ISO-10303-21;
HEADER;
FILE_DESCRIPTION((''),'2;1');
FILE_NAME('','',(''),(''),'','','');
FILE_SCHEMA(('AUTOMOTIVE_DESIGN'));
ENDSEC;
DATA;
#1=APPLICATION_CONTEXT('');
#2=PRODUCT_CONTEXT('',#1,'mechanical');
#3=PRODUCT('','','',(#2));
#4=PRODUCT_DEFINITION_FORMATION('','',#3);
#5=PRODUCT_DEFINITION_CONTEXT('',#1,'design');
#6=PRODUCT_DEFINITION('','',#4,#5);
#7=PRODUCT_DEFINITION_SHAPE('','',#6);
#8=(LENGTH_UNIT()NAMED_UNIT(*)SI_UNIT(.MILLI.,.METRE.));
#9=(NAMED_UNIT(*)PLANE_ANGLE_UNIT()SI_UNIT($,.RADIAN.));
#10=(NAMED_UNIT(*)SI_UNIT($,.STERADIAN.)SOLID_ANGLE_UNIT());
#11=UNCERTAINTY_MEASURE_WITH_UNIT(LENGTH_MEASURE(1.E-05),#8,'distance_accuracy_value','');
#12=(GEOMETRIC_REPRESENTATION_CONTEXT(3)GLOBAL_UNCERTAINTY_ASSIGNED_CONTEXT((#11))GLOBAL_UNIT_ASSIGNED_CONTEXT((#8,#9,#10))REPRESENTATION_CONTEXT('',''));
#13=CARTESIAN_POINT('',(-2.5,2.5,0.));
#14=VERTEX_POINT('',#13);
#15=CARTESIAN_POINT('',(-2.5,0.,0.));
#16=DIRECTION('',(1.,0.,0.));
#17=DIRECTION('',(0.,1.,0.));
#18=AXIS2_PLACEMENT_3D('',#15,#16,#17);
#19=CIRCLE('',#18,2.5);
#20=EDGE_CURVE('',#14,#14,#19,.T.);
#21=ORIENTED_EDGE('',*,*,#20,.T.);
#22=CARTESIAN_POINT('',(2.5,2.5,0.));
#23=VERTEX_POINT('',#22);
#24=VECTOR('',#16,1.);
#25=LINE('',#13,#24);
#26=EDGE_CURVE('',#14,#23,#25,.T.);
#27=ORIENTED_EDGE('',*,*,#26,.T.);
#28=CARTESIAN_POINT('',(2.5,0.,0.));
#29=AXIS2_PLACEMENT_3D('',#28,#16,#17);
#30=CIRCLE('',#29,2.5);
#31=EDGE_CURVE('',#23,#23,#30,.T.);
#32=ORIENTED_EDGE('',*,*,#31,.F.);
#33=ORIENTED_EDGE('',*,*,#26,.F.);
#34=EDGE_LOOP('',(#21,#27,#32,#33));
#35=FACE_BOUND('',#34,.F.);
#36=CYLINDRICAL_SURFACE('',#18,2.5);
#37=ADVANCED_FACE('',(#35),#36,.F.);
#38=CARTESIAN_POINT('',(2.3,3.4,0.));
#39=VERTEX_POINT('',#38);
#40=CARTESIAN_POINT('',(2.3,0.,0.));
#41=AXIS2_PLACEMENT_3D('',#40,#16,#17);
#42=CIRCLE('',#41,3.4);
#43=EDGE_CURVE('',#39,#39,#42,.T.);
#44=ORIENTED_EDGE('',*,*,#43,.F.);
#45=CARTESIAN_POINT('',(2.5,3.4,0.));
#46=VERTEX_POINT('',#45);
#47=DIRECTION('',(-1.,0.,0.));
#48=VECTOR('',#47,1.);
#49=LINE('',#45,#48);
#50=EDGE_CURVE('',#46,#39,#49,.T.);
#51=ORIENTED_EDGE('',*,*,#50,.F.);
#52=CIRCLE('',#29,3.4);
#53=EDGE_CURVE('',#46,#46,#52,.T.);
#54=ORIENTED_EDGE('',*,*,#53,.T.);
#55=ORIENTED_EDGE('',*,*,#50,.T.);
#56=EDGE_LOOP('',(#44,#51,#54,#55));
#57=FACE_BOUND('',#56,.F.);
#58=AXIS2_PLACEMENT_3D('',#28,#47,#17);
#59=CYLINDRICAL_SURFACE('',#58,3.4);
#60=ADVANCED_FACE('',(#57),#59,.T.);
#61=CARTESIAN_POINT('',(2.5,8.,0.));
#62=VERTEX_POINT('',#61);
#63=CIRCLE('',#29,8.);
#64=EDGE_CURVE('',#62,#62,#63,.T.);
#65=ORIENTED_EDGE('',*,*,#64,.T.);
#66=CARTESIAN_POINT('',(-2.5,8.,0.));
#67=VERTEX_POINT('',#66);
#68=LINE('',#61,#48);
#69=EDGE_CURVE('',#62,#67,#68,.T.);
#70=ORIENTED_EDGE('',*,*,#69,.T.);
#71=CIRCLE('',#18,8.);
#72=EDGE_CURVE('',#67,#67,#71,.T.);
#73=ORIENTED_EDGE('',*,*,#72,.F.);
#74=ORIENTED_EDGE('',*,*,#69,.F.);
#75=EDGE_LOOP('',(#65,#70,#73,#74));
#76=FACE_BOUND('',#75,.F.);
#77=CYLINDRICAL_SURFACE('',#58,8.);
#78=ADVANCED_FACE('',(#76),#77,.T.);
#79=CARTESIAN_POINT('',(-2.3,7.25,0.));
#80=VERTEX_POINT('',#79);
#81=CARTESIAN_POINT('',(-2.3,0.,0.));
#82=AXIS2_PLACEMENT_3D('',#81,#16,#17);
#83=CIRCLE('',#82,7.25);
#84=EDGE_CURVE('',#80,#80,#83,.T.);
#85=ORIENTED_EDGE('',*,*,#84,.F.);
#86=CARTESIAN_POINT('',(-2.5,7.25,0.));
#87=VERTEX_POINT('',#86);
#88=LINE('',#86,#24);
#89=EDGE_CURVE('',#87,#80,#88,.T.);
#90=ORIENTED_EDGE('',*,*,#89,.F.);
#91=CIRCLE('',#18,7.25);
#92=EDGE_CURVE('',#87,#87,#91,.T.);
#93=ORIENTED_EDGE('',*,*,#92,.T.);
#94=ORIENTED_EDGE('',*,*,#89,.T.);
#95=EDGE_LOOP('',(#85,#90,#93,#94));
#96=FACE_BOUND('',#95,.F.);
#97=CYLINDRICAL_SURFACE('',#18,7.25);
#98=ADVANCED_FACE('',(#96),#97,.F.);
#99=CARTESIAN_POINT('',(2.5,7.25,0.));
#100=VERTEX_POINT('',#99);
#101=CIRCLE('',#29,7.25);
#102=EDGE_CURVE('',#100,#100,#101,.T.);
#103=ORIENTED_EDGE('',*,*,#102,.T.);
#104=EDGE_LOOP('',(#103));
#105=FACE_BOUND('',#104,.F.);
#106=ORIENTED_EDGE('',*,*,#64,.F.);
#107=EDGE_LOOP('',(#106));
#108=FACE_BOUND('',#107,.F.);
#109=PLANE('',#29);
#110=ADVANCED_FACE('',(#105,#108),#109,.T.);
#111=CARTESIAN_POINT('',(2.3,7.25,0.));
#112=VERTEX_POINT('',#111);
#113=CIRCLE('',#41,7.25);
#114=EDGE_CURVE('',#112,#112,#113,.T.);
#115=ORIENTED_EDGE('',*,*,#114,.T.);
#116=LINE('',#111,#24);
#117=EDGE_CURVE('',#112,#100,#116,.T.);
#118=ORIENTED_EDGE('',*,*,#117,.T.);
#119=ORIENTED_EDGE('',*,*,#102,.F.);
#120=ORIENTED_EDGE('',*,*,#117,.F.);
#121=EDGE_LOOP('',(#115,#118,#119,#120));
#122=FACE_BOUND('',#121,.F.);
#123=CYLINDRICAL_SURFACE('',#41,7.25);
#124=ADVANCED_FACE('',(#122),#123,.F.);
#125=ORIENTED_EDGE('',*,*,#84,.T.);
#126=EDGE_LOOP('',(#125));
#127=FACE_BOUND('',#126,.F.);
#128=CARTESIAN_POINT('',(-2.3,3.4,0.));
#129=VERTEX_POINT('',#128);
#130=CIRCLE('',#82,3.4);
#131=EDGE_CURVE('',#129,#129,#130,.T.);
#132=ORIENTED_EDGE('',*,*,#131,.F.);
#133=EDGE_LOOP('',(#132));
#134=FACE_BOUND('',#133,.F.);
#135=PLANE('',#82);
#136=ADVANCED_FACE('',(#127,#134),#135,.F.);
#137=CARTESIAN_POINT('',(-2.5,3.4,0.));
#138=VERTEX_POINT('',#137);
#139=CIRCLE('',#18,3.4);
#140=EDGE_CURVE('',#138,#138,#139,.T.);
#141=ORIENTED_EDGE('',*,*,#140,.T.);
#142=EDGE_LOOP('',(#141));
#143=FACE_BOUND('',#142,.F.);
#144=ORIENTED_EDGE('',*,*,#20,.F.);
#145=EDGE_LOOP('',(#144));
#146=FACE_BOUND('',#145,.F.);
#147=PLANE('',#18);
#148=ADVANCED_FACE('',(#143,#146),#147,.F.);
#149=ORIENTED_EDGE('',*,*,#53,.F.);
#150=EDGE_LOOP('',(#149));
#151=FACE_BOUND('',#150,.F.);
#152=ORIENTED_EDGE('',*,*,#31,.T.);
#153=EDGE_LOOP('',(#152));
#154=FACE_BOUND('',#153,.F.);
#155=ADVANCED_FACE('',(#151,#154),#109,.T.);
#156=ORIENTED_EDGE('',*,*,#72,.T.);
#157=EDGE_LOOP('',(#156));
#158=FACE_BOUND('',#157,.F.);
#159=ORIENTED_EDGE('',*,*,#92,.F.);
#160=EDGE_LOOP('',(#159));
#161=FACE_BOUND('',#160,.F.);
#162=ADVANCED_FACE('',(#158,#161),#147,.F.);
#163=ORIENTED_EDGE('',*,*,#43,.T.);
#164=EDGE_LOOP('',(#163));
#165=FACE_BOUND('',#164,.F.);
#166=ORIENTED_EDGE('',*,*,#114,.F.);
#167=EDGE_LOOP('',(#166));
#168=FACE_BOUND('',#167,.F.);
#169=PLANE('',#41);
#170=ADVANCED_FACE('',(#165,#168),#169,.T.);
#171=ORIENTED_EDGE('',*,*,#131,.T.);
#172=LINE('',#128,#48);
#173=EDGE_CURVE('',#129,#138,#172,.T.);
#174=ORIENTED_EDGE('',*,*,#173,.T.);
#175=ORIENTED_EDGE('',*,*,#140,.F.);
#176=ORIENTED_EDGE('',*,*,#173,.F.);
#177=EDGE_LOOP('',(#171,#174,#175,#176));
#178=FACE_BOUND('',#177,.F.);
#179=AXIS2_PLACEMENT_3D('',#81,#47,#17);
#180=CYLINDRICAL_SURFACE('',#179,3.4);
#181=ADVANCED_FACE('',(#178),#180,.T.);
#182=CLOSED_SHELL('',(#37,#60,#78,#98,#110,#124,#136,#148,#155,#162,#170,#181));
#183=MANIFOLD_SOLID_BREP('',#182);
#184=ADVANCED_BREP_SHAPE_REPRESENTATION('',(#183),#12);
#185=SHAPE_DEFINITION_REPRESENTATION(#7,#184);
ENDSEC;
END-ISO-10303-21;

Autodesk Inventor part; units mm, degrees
ref_plane "YZ Plane" through (0, 0, 0) normal (1, 0, 0) x (0, 1, 0)
ref_plane "XZ Plane" through (0, 0, 0) normal (0, 1, 0) x (-1, 0, 0)
ref_plane "XY Plane" through (0, 0, 0) normal (0, 0, 1) x (1, 0, 0)
sketch "Sketch_1" plane through (0, 0, 0) normal (0, 0, 1) x (1, 0, 0)
  line L0 (50, 0) -> (-50, 0)
  line L1 (-2.5, 7.25) -> (-2.3, 7.25)
  line L2 (-2.3, 7.25) -> (-2.3, 3.4)
  line L3 (-2.3, 3.4) -> (-2.5, 3.4)
  line L4 (-2.5, 3.4) -> (-2.5, 2.5)
  line L5 (-2.5, 2.5) -> (2.5, 2.5)
  line L6 (2.5, 2.5) -> (2.5, 3.4)
  line L7 (2.5, 3.4) -> (2.3, 3.4)
  line L8 (2.3, 3.4) -> (2.3, 7.25)
  line L9 (2.3, 7.25) -> (2.5, 7.25)
  line L10 (2.5, 7.25) -> (2.5, 8)
  line L11 (2.5, 8) -> (-2.5, 8)
  line L12 (-2.5, 8) -> (-2.5, 7.25)
revolve "Revolution1" add sketch "Sketch_1" angle 360 about axis through (50, 0, 0) along (1, 0, 0)
properties part number "riku_mae_bis17_625-ZZ-MAE"
